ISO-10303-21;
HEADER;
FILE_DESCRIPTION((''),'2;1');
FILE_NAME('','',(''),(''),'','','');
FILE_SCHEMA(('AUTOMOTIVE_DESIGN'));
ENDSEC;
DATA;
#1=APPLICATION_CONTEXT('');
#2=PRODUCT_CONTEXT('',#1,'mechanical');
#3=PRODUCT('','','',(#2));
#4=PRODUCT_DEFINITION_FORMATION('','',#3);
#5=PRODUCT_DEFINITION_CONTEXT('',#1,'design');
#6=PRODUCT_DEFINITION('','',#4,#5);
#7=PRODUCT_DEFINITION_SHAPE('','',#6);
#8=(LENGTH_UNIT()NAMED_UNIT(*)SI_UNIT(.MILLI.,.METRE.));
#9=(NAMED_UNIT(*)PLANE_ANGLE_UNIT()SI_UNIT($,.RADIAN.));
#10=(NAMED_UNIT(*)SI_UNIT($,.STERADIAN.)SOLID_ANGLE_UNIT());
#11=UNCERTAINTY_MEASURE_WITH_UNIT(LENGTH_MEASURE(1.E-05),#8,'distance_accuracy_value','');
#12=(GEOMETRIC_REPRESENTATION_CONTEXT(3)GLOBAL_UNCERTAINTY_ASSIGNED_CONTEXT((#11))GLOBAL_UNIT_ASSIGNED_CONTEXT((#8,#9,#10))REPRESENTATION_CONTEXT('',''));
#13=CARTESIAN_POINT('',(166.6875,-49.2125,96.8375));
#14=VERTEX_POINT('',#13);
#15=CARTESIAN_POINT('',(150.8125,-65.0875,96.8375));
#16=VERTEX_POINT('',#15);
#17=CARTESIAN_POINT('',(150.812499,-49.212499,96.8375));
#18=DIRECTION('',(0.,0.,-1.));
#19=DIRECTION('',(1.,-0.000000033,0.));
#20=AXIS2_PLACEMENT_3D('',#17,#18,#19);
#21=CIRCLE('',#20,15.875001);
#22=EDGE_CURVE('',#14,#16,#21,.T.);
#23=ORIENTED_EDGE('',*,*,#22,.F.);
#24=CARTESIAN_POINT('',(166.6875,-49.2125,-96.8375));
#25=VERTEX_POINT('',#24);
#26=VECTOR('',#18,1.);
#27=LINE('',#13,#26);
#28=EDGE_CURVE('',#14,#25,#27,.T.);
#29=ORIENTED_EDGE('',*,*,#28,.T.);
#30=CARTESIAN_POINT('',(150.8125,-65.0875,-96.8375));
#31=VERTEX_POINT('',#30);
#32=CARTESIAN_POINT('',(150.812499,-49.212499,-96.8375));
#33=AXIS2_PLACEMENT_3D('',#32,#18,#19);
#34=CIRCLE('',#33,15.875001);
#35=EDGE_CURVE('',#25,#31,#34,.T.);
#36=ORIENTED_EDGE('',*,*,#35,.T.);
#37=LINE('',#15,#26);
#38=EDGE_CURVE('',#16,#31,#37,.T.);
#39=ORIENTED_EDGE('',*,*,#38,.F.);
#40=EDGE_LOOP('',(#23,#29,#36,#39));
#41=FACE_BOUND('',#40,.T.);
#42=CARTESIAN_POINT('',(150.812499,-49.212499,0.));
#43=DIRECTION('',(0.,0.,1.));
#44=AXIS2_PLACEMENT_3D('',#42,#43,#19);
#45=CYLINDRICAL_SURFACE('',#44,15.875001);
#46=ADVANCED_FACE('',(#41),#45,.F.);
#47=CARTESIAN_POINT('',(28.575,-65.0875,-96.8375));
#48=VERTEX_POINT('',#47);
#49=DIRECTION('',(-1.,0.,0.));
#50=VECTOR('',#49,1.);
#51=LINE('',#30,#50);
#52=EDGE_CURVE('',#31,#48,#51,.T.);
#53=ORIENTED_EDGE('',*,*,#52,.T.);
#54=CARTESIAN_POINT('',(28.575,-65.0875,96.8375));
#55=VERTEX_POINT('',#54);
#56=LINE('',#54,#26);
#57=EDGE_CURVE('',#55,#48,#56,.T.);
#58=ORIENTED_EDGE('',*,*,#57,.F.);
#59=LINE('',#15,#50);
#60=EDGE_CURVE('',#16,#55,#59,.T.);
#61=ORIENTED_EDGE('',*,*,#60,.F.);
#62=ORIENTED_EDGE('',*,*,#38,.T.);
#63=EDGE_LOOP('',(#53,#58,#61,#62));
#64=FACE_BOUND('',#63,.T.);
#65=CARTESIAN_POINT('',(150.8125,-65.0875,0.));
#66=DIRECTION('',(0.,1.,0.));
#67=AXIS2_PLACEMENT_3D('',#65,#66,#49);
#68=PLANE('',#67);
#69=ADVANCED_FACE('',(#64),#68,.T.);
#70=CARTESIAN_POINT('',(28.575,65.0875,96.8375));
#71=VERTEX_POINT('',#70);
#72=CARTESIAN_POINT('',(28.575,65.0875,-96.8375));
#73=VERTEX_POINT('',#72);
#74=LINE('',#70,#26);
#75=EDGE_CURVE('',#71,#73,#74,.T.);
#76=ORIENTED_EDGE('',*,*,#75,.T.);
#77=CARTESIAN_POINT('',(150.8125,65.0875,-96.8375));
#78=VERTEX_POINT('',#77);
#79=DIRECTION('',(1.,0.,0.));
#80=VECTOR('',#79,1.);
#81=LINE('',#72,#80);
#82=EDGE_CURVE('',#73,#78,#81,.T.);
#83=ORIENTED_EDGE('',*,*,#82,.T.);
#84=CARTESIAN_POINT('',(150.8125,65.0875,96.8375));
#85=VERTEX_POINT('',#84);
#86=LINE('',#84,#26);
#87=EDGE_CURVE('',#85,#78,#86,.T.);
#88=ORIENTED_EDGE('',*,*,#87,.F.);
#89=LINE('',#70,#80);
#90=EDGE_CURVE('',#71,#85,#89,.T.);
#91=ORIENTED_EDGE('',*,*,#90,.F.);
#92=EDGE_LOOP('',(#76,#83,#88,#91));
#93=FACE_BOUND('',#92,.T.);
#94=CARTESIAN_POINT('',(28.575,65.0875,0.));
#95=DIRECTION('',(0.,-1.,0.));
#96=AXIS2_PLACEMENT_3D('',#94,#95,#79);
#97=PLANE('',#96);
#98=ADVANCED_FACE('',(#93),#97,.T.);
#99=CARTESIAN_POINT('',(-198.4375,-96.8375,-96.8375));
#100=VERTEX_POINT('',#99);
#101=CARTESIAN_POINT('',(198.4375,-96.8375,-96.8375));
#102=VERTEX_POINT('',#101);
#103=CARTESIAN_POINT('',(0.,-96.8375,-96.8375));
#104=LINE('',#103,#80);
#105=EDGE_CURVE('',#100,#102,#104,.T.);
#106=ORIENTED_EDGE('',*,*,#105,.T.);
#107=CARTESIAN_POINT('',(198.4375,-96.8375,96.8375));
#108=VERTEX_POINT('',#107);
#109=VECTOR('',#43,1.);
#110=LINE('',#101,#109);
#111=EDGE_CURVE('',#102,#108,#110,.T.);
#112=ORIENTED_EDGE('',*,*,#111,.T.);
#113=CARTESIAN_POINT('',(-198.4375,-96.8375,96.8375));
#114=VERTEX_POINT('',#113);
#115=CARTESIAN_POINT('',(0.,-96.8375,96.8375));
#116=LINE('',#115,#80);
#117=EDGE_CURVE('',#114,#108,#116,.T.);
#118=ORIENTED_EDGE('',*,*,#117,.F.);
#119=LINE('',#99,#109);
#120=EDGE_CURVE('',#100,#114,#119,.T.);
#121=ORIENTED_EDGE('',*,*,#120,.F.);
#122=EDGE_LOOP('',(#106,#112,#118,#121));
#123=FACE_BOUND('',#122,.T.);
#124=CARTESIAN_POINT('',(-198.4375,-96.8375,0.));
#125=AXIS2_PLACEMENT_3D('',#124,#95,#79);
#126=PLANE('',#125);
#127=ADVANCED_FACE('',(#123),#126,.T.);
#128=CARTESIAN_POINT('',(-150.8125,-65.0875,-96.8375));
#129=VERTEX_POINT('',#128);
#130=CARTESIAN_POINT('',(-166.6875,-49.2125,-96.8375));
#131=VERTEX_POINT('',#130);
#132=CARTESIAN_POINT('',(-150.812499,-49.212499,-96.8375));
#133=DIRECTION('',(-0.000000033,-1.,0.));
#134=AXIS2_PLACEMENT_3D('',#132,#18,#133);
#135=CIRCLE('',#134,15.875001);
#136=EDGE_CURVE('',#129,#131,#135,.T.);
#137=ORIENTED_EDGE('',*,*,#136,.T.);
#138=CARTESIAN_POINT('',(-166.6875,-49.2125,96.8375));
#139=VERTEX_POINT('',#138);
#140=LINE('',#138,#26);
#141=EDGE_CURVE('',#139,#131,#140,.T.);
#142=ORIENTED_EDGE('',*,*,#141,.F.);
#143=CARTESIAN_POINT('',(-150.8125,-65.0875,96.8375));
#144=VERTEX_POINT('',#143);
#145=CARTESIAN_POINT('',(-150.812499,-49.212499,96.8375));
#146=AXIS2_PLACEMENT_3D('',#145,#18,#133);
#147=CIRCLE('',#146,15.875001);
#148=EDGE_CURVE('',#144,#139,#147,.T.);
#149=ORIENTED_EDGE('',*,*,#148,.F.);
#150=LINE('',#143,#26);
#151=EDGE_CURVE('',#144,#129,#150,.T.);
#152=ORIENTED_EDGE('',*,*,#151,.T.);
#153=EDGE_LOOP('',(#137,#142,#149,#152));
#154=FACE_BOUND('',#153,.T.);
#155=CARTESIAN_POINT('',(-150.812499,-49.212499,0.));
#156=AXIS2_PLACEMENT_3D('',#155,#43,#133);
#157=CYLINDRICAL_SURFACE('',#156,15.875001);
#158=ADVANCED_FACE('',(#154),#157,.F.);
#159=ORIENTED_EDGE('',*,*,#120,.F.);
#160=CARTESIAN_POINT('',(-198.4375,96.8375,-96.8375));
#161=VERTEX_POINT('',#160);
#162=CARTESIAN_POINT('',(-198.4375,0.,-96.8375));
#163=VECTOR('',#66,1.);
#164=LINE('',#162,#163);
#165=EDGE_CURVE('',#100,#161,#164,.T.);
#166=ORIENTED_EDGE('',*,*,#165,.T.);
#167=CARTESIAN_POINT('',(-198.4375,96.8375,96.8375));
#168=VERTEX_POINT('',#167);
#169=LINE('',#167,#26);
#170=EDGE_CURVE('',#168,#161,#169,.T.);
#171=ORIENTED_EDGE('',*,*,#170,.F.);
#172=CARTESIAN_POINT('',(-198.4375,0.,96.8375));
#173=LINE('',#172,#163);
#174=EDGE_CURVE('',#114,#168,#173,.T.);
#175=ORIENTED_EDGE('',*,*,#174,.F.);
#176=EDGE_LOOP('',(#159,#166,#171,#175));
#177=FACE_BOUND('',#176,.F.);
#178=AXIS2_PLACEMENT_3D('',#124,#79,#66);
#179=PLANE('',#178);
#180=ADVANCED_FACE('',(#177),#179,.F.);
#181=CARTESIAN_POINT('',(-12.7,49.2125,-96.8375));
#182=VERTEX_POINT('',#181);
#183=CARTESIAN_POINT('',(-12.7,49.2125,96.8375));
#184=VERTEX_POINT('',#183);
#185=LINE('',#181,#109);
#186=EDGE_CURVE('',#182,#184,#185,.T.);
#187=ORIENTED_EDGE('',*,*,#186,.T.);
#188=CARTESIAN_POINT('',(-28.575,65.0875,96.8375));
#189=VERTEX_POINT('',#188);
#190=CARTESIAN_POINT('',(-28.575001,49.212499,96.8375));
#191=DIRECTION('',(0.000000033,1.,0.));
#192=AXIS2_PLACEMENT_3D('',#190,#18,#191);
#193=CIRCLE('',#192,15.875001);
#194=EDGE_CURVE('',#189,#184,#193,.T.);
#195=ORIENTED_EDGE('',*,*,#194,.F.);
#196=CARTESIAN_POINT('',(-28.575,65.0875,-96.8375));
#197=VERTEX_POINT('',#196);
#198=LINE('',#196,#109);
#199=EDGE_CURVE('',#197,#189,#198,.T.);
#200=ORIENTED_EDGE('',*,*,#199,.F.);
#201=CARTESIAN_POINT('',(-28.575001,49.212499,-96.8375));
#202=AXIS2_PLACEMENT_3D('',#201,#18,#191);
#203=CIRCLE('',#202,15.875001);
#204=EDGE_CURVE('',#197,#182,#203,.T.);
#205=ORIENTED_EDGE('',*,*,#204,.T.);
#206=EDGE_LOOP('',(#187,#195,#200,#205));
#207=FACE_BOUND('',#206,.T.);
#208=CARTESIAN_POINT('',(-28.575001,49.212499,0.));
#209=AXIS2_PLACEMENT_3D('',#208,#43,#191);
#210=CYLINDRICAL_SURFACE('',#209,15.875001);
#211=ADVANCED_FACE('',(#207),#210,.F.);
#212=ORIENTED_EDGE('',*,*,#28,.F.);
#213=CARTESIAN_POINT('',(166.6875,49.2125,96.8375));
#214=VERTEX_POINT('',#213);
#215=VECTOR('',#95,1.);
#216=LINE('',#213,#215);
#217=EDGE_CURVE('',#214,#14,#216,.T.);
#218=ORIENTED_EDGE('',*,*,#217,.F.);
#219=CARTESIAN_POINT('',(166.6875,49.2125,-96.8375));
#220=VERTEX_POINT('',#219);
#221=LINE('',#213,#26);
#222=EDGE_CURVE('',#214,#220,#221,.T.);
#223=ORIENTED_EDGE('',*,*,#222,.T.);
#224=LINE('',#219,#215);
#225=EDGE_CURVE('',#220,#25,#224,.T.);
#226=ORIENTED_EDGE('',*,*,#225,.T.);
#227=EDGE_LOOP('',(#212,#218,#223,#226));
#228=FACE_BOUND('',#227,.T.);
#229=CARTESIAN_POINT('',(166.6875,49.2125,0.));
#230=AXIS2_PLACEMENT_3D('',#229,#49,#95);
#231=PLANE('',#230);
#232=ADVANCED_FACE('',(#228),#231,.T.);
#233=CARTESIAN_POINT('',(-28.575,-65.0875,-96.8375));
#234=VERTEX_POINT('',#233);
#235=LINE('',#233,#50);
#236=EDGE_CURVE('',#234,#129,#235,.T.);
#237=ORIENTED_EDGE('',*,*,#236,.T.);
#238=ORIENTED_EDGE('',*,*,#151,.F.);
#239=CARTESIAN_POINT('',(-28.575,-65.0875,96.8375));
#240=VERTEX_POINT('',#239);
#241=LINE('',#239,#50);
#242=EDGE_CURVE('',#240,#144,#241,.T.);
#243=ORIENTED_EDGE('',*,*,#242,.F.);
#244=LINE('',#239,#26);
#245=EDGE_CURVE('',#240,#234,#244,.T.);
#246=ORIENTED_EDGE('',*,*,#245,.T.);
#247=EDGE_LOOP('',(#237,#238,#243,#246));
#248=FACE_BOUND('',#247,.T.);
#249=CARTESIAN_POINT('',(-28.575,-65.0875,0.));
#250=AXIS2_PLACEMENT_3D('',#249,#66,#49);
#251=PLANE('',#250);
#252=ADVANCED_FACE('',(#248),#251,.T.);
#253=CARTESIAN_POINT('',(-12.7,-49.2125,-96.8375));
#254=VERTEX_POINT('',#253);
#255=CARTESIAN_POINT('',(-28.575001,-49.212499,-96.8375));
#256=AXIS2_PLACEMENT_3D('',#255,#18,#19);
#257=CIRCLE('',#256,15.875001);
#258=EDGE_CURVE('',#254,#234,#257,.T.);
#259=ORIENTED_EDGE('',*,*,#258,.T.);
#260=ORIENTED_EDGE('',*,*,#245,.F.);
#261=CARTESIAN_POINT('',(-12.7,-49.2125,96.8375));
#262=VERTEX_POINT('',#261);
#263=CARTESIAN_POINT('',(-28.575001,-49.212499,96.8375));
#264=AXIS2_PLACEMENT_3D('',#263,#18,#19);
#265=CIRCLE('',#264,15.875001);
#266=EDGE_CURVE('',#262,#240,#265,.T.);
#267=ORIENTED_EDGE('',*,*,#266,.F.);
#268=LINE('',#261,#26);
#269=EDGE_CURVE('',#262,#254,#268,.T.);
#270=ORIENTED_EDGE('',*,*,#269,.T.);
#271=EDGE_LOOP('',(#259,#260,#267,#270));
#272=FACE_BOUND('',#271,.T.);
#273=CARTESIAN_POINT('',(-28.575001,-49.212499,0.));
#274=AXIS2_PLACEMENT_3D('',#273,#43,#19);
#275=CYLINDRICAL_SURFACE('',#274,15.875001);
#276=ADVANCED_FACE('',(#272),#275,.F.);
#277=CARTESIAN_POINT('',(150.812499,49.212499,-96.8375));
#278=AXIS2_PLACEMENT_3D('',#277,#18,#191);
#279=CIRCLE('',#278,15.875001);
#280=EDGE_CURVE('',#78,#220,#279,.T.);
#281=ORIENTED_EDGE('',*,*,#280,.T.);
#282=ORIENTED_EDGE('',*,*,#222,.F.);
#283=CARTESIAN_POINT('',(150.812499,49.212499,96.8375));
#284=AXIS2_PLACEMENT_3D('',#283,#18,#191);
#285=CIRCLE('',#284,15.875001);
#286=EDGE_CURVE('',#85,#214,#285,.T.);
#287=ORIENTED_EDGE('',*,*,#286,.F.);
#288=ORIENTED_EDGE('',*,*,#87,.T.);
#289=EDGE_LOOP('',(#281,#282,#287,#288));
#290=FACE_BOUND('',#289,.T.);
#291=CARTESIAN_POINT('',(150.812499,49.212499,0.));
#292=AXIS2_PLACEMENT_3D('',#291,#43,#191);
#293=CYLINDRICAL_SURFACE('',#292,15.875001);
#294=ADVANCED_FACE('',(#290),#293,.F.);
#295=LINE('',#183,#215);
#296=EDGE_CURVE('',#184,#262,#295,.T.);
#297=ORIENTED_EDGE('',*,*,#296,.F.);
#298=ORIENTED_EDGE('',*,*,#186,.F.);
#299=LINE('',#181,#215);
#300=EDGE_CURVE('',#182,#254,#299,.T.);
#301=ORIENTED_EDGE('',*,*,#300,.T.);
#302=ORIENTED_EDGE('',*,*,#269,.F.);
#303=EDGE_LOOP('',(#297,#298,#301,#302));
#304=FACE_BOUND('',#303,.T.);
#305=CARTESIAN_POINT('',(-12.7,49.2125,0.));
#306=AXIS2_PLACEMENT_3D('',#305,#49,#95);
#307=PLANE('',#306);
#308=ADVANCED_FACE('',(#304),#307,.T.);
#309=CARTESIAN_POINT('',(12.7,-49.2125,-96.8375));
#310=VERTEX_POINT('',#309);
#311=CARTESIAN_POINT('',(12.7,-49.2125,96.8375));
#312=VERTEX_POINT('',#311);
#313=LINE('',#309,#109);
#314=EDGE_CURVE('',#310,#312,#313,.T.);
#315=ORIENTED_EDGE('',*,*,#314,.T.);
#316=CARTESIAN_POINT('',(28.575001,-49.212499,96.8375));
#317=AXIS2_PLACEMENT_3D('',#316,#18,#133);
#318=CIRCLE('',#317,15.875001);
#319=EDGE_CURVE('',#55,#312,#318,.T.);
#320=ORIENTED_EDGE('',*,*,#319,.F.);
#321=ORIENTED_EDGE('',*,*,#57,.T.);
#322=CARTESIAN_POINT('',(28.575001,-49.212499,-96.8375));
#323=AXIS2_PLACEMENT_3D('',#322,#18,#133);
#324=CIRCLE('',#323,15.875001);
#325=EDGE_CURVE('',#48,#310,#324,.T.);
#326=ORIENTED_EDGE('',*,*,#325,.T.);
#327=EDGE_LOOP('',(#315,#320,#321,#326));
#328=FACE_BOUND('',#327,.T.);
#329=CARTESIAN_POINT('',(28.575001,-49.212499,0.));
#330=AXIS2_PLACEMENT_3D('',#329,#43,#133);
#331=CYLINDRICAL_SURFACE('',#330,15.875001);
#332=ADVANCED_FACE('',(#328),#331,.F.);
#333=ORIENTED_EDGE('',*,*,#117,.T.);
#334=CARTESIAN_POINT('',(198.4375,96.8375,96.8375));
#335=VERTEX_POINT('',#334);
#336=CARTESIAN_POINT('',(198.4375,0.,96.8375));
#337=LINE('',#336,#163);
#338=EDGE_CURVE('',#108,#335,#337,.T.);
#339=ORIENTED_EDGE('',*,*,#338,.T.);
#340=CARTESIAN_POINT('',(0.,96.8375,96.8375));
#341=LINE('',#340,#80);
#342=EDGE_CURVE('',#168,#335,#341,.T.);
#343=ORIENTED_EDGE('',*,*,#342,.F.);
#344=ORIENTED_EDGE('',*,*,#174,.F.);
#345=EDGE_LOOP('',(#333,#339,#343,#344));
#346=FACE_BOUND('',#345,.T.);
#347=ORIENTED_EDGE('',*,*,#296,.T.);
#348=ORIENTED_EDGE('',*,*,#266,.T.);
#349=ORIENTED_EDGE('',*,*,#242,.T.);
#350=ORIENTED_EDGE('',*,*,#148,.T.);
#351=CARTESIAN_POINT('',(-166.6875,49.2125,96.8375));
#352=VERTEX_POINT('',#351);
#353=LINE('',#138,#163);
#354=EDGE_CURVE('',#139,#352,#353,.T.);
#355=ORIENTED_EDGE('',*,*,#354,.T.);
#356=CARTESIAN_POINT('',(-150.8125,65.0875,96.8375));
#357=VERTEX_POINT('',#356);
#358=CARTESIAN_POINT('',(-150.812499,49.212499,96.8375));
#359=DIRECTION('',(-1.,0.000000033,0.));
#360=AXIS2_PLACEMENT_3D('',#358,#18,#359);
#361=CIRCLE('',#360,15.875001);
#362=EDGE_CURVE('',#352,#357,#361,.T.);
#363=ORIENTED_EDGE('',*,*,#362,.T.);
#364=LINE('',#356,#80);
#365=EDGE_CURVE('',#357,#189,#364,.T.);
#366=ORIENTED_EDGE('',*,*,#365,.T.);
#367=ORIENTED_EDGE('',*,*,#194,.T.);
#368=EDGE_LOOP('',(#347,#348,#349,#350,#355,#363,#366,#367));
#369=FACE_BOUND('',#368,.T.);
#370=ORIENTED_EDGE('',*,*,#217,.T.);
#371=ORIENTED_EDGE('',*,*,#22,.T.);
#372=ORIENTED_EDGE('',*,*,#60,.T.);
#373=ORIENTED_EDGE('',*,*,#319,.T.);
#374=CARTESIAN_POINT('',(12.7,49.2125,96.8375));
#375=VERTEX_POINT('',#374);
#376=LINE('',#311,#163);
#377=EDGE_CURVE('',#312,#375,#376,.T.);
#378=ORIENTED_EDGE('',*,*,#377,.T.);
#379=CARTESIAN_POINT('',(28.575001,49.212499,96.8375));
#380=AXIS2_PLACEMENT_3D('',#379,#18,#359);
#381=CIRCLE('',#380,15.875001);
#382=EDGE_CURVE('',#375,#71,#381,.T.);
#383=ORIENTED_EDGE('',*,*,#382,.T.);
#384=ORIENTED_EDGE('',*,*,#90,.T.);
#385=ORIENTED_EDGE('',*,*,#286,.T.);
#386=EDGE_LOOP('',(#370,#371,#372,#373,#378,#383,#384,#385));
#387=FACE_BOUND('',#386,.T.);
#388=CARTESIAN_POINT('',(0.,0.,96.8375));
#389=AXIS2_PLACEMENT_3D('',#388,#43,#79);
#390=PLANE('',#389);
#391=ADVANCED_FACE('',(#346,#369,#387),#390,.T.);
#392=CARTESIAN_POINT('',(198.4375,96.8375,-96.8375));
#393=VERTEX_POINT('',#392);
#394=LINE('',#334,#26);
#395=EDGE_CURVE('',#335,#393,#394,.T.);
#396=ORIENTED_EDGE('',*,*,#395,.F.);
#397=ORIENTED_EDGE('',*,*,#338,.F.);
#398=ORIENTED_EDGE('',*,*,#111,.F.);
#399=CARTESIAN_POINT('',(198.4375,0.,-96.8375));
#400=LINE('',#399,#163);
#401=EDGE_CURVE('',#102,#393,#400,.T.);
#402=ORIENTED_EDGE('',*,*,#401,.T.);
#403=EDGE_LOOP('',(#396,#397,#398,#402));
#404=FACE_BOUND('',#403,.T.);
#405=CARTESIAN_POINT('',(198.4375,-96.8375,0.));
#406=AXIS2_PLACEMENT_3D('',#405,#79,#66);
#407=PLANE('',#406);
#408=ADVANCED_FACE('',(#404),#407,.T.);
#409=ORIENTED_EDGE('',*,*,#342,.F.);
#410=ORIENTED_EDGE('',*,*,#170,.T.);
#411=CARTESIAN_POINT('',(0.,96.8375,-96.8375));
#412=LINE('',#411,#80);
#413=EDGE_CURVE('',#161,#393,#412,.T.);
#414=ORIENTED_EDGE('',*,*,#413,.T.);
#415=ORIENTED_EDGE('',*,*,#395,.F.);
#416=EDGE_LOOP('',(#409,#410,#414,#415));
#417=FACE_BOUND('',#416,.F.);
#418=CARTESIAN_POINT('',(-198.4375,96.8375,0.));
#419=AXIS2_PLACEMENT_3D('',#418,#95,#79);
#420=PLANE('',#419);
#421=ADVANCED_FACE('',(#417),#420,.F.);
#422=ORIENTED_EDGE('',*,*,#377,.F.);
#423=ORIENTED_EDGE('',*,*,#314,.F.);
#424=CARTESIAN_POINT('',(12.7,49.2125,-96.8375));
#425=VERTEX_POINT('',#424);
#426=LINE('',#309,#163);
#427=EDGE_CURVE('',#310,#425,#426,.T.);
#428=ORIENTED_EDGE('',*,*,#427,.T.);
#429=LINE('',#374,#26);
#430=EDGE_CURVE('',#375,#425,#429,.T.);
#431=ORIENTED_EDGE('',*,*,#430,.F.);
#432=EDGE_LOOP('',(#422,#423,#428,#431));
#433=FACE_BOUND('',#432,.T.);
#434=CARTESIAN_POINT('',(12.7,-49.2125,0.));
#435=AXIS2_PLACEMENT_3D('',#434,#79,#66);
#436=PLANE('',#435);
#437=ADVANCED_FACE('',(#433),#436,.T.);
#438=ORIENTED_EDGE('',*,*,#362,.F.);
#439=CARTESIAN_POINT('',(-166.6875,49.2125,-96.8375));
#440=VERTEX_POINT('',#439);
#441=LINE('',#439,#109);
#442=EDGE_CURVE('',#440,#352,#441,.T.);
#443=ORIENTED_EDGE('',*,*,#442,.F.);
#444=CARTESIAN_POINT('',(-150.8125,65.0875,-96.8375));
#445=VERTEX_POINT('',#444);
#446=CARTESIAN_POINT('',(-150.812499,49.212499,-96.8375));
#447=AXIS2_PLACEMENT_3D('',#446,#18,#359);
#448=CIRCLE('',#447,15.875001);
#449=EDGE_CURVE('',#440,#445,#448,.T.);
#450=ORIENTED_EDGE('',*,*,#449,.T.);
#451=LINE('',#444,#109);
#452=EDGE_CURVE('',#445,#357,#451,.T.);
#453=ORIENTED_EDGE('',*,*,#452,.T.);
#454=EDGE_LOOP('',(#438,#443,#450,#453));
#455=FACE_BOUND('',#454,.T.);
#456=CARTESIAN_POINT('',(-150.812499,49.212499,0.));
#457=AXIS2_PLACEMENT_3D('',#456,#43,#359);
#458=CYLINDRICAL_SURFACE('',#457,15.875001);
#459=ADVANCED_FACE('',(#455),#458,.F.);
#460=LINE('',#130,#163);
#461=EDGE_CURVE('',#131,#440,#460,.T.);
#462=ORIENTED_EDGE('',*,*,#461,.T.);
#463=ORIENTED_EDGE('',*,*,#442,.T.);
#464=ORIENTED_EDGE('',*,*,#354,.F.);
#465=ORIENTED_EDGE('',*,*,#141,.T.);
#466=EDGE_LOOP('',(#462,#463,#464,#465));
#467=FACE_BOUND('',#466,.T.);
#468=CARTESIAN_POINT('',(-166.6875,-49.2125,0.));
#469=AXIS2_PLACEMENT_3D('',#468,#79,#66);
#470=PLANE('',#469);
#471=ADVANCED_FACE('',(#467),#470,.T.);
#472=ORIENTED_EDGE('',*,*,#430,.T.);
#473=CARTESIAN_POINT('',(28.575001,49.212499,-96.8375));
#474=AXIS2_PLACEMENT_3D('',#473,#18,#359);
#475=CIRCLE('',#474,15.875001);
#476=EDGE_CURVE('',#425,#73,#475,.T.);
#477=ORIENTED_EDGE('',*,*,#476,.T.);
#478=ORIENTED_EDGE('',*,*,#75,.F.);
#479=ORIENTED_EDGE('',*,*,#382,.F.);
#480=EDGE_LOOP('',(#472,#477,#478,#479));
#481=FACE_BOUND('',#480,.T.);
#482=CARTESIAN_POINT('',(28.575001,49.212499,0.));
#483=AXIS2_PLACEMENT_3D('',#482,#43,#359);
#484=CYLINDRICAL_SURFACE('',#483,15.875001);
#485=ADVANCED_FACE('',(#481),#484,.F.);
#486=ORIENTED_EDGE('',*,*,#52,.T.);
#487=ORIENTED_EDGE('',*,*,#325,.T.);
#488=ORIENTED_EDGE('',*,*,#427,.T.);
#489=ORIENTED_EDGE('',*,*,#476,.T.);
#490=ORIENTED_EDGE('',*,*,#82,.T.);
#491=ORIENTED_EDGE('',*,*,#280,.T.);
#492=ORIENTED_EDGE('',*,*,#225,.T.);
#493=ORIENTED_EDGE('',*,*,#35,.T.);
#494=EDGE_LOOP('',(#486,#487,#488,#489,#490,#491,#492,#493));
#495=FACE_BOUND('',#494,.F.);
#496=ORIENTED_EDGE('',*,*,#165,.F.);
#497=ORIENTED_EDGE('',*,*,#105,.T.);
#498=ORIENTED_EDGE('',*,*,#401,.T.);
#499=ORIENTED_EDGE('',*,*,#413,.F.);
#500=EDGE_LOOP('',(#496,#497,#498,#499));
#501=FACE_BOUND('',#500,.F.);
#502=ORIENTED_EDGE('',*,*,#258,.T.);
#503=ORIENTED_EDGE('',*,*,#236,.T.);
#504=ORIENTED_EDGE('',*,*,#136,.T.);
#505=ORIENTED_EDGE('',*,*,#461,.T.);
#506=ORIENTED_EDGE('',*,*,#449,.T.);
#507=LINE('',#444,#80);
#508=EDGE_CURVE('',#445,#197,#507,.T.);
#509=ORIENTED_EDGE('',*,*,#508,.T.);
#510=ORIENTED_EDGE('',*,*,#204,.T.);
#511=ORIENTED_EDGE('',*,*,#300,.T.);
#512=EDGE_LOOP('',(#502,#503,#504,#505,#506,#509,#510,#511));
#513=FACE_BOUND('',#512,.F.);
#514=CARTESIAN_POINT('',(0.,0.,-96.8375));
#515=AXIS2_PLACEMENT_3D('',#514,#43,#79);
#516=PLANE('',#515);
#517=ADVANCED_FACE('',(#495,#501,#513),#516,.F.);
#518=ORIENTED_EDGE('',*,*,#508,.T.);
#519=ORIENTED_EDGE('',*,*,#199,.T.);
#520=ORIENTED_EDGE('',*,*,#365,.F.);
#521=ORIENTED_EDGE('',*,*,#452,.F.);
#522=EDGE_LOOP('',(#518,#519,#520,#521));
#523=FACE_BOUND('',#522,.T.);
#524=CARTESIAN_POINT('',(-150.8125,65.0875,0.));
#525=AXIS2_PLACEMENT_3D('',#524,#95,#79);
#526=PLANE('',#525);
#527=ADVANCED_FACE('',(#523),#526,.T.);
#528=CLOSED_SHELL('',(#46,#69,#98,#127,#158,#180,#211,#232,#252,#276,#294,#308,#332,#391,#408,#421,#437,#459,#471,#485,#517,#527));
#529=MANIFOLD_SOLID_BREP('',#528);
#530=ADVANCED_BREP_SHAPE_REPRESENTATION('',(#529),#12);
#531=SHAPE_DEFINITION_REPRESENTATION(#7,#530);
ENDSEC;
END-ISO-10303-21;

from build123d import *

# Parameters (mm, degrees)
F0_W     = 396.875
F0_H     = 193.675
F1_DEPTH = 96.8375


with BuildPart() as f1:
    # F0 (on Top) → F1 (new body, symmetric)
    with BuildSketch(Plane.XY):
        Rectangle(F0_W, F0_H)
        with BuildLine():
            ThreePointArc((-166.6875, 49.2125), (-162.03782, 60.43782), (-150.8125, 65.0875))
            Line((-150.8125, 65.0875), (-28.575, 65.0875))
            ThreePointArc((-28.575, 65.0875), (-17.34968, 60.43782), (-12.7, 49.2125))
            Line((-12.7, 49.2125), (-12.7, 0))
            Line((-12.7, 0), (-12.7, -49.2125))
            ThreePointArc((-12.7, -49.2125), (-17.34968, -60.43782), (-28.575, -65.0875))
            Line((-28.575, -65.0875), (-150.8125, -65.0875))
            ThreePointArc((-150.8125, -65.0875), (-162.03782, -60.43782), (-166.6875, -49.2125))
            Line((-166.6875, -49.2125), (-166.6875, 49.2125))
        make_face(mode=Mode.SUBTRACT)
        with BuildLine():
            Line((12.7, -49.2125), (12.7, 0))
            Line((12.7, 0), (12.7, 49.2125))
            ThreePointArc((12.7, 49.2125), (17.34968, 60.43782), (28.575, 65.0875))
            Line((28.575, 65.0875), (150.8125, 65.0875))
            ThreePointArc((150.8125, 65.0875), (162.03782, 60.43782), (166.6875, 49.2125))
            Line((166.6875, 49.2125), (166.6875, -49.2125))
            ThreePointArc((166.6875, -49.2125), (162.03782, -60.43782), (150.8125, -65.0875))
            Line((150.8125, -65.0875), (28.575, -65.0875))
            ThreePointArc((28.575, -65.0875), (17.34968, -60.43782), (12.7, -49.2125))
        make_face(mode=Mode.SUBTRACT)
    extrude(amount=F1_DEPTH, both=True)


solid = f1.part
